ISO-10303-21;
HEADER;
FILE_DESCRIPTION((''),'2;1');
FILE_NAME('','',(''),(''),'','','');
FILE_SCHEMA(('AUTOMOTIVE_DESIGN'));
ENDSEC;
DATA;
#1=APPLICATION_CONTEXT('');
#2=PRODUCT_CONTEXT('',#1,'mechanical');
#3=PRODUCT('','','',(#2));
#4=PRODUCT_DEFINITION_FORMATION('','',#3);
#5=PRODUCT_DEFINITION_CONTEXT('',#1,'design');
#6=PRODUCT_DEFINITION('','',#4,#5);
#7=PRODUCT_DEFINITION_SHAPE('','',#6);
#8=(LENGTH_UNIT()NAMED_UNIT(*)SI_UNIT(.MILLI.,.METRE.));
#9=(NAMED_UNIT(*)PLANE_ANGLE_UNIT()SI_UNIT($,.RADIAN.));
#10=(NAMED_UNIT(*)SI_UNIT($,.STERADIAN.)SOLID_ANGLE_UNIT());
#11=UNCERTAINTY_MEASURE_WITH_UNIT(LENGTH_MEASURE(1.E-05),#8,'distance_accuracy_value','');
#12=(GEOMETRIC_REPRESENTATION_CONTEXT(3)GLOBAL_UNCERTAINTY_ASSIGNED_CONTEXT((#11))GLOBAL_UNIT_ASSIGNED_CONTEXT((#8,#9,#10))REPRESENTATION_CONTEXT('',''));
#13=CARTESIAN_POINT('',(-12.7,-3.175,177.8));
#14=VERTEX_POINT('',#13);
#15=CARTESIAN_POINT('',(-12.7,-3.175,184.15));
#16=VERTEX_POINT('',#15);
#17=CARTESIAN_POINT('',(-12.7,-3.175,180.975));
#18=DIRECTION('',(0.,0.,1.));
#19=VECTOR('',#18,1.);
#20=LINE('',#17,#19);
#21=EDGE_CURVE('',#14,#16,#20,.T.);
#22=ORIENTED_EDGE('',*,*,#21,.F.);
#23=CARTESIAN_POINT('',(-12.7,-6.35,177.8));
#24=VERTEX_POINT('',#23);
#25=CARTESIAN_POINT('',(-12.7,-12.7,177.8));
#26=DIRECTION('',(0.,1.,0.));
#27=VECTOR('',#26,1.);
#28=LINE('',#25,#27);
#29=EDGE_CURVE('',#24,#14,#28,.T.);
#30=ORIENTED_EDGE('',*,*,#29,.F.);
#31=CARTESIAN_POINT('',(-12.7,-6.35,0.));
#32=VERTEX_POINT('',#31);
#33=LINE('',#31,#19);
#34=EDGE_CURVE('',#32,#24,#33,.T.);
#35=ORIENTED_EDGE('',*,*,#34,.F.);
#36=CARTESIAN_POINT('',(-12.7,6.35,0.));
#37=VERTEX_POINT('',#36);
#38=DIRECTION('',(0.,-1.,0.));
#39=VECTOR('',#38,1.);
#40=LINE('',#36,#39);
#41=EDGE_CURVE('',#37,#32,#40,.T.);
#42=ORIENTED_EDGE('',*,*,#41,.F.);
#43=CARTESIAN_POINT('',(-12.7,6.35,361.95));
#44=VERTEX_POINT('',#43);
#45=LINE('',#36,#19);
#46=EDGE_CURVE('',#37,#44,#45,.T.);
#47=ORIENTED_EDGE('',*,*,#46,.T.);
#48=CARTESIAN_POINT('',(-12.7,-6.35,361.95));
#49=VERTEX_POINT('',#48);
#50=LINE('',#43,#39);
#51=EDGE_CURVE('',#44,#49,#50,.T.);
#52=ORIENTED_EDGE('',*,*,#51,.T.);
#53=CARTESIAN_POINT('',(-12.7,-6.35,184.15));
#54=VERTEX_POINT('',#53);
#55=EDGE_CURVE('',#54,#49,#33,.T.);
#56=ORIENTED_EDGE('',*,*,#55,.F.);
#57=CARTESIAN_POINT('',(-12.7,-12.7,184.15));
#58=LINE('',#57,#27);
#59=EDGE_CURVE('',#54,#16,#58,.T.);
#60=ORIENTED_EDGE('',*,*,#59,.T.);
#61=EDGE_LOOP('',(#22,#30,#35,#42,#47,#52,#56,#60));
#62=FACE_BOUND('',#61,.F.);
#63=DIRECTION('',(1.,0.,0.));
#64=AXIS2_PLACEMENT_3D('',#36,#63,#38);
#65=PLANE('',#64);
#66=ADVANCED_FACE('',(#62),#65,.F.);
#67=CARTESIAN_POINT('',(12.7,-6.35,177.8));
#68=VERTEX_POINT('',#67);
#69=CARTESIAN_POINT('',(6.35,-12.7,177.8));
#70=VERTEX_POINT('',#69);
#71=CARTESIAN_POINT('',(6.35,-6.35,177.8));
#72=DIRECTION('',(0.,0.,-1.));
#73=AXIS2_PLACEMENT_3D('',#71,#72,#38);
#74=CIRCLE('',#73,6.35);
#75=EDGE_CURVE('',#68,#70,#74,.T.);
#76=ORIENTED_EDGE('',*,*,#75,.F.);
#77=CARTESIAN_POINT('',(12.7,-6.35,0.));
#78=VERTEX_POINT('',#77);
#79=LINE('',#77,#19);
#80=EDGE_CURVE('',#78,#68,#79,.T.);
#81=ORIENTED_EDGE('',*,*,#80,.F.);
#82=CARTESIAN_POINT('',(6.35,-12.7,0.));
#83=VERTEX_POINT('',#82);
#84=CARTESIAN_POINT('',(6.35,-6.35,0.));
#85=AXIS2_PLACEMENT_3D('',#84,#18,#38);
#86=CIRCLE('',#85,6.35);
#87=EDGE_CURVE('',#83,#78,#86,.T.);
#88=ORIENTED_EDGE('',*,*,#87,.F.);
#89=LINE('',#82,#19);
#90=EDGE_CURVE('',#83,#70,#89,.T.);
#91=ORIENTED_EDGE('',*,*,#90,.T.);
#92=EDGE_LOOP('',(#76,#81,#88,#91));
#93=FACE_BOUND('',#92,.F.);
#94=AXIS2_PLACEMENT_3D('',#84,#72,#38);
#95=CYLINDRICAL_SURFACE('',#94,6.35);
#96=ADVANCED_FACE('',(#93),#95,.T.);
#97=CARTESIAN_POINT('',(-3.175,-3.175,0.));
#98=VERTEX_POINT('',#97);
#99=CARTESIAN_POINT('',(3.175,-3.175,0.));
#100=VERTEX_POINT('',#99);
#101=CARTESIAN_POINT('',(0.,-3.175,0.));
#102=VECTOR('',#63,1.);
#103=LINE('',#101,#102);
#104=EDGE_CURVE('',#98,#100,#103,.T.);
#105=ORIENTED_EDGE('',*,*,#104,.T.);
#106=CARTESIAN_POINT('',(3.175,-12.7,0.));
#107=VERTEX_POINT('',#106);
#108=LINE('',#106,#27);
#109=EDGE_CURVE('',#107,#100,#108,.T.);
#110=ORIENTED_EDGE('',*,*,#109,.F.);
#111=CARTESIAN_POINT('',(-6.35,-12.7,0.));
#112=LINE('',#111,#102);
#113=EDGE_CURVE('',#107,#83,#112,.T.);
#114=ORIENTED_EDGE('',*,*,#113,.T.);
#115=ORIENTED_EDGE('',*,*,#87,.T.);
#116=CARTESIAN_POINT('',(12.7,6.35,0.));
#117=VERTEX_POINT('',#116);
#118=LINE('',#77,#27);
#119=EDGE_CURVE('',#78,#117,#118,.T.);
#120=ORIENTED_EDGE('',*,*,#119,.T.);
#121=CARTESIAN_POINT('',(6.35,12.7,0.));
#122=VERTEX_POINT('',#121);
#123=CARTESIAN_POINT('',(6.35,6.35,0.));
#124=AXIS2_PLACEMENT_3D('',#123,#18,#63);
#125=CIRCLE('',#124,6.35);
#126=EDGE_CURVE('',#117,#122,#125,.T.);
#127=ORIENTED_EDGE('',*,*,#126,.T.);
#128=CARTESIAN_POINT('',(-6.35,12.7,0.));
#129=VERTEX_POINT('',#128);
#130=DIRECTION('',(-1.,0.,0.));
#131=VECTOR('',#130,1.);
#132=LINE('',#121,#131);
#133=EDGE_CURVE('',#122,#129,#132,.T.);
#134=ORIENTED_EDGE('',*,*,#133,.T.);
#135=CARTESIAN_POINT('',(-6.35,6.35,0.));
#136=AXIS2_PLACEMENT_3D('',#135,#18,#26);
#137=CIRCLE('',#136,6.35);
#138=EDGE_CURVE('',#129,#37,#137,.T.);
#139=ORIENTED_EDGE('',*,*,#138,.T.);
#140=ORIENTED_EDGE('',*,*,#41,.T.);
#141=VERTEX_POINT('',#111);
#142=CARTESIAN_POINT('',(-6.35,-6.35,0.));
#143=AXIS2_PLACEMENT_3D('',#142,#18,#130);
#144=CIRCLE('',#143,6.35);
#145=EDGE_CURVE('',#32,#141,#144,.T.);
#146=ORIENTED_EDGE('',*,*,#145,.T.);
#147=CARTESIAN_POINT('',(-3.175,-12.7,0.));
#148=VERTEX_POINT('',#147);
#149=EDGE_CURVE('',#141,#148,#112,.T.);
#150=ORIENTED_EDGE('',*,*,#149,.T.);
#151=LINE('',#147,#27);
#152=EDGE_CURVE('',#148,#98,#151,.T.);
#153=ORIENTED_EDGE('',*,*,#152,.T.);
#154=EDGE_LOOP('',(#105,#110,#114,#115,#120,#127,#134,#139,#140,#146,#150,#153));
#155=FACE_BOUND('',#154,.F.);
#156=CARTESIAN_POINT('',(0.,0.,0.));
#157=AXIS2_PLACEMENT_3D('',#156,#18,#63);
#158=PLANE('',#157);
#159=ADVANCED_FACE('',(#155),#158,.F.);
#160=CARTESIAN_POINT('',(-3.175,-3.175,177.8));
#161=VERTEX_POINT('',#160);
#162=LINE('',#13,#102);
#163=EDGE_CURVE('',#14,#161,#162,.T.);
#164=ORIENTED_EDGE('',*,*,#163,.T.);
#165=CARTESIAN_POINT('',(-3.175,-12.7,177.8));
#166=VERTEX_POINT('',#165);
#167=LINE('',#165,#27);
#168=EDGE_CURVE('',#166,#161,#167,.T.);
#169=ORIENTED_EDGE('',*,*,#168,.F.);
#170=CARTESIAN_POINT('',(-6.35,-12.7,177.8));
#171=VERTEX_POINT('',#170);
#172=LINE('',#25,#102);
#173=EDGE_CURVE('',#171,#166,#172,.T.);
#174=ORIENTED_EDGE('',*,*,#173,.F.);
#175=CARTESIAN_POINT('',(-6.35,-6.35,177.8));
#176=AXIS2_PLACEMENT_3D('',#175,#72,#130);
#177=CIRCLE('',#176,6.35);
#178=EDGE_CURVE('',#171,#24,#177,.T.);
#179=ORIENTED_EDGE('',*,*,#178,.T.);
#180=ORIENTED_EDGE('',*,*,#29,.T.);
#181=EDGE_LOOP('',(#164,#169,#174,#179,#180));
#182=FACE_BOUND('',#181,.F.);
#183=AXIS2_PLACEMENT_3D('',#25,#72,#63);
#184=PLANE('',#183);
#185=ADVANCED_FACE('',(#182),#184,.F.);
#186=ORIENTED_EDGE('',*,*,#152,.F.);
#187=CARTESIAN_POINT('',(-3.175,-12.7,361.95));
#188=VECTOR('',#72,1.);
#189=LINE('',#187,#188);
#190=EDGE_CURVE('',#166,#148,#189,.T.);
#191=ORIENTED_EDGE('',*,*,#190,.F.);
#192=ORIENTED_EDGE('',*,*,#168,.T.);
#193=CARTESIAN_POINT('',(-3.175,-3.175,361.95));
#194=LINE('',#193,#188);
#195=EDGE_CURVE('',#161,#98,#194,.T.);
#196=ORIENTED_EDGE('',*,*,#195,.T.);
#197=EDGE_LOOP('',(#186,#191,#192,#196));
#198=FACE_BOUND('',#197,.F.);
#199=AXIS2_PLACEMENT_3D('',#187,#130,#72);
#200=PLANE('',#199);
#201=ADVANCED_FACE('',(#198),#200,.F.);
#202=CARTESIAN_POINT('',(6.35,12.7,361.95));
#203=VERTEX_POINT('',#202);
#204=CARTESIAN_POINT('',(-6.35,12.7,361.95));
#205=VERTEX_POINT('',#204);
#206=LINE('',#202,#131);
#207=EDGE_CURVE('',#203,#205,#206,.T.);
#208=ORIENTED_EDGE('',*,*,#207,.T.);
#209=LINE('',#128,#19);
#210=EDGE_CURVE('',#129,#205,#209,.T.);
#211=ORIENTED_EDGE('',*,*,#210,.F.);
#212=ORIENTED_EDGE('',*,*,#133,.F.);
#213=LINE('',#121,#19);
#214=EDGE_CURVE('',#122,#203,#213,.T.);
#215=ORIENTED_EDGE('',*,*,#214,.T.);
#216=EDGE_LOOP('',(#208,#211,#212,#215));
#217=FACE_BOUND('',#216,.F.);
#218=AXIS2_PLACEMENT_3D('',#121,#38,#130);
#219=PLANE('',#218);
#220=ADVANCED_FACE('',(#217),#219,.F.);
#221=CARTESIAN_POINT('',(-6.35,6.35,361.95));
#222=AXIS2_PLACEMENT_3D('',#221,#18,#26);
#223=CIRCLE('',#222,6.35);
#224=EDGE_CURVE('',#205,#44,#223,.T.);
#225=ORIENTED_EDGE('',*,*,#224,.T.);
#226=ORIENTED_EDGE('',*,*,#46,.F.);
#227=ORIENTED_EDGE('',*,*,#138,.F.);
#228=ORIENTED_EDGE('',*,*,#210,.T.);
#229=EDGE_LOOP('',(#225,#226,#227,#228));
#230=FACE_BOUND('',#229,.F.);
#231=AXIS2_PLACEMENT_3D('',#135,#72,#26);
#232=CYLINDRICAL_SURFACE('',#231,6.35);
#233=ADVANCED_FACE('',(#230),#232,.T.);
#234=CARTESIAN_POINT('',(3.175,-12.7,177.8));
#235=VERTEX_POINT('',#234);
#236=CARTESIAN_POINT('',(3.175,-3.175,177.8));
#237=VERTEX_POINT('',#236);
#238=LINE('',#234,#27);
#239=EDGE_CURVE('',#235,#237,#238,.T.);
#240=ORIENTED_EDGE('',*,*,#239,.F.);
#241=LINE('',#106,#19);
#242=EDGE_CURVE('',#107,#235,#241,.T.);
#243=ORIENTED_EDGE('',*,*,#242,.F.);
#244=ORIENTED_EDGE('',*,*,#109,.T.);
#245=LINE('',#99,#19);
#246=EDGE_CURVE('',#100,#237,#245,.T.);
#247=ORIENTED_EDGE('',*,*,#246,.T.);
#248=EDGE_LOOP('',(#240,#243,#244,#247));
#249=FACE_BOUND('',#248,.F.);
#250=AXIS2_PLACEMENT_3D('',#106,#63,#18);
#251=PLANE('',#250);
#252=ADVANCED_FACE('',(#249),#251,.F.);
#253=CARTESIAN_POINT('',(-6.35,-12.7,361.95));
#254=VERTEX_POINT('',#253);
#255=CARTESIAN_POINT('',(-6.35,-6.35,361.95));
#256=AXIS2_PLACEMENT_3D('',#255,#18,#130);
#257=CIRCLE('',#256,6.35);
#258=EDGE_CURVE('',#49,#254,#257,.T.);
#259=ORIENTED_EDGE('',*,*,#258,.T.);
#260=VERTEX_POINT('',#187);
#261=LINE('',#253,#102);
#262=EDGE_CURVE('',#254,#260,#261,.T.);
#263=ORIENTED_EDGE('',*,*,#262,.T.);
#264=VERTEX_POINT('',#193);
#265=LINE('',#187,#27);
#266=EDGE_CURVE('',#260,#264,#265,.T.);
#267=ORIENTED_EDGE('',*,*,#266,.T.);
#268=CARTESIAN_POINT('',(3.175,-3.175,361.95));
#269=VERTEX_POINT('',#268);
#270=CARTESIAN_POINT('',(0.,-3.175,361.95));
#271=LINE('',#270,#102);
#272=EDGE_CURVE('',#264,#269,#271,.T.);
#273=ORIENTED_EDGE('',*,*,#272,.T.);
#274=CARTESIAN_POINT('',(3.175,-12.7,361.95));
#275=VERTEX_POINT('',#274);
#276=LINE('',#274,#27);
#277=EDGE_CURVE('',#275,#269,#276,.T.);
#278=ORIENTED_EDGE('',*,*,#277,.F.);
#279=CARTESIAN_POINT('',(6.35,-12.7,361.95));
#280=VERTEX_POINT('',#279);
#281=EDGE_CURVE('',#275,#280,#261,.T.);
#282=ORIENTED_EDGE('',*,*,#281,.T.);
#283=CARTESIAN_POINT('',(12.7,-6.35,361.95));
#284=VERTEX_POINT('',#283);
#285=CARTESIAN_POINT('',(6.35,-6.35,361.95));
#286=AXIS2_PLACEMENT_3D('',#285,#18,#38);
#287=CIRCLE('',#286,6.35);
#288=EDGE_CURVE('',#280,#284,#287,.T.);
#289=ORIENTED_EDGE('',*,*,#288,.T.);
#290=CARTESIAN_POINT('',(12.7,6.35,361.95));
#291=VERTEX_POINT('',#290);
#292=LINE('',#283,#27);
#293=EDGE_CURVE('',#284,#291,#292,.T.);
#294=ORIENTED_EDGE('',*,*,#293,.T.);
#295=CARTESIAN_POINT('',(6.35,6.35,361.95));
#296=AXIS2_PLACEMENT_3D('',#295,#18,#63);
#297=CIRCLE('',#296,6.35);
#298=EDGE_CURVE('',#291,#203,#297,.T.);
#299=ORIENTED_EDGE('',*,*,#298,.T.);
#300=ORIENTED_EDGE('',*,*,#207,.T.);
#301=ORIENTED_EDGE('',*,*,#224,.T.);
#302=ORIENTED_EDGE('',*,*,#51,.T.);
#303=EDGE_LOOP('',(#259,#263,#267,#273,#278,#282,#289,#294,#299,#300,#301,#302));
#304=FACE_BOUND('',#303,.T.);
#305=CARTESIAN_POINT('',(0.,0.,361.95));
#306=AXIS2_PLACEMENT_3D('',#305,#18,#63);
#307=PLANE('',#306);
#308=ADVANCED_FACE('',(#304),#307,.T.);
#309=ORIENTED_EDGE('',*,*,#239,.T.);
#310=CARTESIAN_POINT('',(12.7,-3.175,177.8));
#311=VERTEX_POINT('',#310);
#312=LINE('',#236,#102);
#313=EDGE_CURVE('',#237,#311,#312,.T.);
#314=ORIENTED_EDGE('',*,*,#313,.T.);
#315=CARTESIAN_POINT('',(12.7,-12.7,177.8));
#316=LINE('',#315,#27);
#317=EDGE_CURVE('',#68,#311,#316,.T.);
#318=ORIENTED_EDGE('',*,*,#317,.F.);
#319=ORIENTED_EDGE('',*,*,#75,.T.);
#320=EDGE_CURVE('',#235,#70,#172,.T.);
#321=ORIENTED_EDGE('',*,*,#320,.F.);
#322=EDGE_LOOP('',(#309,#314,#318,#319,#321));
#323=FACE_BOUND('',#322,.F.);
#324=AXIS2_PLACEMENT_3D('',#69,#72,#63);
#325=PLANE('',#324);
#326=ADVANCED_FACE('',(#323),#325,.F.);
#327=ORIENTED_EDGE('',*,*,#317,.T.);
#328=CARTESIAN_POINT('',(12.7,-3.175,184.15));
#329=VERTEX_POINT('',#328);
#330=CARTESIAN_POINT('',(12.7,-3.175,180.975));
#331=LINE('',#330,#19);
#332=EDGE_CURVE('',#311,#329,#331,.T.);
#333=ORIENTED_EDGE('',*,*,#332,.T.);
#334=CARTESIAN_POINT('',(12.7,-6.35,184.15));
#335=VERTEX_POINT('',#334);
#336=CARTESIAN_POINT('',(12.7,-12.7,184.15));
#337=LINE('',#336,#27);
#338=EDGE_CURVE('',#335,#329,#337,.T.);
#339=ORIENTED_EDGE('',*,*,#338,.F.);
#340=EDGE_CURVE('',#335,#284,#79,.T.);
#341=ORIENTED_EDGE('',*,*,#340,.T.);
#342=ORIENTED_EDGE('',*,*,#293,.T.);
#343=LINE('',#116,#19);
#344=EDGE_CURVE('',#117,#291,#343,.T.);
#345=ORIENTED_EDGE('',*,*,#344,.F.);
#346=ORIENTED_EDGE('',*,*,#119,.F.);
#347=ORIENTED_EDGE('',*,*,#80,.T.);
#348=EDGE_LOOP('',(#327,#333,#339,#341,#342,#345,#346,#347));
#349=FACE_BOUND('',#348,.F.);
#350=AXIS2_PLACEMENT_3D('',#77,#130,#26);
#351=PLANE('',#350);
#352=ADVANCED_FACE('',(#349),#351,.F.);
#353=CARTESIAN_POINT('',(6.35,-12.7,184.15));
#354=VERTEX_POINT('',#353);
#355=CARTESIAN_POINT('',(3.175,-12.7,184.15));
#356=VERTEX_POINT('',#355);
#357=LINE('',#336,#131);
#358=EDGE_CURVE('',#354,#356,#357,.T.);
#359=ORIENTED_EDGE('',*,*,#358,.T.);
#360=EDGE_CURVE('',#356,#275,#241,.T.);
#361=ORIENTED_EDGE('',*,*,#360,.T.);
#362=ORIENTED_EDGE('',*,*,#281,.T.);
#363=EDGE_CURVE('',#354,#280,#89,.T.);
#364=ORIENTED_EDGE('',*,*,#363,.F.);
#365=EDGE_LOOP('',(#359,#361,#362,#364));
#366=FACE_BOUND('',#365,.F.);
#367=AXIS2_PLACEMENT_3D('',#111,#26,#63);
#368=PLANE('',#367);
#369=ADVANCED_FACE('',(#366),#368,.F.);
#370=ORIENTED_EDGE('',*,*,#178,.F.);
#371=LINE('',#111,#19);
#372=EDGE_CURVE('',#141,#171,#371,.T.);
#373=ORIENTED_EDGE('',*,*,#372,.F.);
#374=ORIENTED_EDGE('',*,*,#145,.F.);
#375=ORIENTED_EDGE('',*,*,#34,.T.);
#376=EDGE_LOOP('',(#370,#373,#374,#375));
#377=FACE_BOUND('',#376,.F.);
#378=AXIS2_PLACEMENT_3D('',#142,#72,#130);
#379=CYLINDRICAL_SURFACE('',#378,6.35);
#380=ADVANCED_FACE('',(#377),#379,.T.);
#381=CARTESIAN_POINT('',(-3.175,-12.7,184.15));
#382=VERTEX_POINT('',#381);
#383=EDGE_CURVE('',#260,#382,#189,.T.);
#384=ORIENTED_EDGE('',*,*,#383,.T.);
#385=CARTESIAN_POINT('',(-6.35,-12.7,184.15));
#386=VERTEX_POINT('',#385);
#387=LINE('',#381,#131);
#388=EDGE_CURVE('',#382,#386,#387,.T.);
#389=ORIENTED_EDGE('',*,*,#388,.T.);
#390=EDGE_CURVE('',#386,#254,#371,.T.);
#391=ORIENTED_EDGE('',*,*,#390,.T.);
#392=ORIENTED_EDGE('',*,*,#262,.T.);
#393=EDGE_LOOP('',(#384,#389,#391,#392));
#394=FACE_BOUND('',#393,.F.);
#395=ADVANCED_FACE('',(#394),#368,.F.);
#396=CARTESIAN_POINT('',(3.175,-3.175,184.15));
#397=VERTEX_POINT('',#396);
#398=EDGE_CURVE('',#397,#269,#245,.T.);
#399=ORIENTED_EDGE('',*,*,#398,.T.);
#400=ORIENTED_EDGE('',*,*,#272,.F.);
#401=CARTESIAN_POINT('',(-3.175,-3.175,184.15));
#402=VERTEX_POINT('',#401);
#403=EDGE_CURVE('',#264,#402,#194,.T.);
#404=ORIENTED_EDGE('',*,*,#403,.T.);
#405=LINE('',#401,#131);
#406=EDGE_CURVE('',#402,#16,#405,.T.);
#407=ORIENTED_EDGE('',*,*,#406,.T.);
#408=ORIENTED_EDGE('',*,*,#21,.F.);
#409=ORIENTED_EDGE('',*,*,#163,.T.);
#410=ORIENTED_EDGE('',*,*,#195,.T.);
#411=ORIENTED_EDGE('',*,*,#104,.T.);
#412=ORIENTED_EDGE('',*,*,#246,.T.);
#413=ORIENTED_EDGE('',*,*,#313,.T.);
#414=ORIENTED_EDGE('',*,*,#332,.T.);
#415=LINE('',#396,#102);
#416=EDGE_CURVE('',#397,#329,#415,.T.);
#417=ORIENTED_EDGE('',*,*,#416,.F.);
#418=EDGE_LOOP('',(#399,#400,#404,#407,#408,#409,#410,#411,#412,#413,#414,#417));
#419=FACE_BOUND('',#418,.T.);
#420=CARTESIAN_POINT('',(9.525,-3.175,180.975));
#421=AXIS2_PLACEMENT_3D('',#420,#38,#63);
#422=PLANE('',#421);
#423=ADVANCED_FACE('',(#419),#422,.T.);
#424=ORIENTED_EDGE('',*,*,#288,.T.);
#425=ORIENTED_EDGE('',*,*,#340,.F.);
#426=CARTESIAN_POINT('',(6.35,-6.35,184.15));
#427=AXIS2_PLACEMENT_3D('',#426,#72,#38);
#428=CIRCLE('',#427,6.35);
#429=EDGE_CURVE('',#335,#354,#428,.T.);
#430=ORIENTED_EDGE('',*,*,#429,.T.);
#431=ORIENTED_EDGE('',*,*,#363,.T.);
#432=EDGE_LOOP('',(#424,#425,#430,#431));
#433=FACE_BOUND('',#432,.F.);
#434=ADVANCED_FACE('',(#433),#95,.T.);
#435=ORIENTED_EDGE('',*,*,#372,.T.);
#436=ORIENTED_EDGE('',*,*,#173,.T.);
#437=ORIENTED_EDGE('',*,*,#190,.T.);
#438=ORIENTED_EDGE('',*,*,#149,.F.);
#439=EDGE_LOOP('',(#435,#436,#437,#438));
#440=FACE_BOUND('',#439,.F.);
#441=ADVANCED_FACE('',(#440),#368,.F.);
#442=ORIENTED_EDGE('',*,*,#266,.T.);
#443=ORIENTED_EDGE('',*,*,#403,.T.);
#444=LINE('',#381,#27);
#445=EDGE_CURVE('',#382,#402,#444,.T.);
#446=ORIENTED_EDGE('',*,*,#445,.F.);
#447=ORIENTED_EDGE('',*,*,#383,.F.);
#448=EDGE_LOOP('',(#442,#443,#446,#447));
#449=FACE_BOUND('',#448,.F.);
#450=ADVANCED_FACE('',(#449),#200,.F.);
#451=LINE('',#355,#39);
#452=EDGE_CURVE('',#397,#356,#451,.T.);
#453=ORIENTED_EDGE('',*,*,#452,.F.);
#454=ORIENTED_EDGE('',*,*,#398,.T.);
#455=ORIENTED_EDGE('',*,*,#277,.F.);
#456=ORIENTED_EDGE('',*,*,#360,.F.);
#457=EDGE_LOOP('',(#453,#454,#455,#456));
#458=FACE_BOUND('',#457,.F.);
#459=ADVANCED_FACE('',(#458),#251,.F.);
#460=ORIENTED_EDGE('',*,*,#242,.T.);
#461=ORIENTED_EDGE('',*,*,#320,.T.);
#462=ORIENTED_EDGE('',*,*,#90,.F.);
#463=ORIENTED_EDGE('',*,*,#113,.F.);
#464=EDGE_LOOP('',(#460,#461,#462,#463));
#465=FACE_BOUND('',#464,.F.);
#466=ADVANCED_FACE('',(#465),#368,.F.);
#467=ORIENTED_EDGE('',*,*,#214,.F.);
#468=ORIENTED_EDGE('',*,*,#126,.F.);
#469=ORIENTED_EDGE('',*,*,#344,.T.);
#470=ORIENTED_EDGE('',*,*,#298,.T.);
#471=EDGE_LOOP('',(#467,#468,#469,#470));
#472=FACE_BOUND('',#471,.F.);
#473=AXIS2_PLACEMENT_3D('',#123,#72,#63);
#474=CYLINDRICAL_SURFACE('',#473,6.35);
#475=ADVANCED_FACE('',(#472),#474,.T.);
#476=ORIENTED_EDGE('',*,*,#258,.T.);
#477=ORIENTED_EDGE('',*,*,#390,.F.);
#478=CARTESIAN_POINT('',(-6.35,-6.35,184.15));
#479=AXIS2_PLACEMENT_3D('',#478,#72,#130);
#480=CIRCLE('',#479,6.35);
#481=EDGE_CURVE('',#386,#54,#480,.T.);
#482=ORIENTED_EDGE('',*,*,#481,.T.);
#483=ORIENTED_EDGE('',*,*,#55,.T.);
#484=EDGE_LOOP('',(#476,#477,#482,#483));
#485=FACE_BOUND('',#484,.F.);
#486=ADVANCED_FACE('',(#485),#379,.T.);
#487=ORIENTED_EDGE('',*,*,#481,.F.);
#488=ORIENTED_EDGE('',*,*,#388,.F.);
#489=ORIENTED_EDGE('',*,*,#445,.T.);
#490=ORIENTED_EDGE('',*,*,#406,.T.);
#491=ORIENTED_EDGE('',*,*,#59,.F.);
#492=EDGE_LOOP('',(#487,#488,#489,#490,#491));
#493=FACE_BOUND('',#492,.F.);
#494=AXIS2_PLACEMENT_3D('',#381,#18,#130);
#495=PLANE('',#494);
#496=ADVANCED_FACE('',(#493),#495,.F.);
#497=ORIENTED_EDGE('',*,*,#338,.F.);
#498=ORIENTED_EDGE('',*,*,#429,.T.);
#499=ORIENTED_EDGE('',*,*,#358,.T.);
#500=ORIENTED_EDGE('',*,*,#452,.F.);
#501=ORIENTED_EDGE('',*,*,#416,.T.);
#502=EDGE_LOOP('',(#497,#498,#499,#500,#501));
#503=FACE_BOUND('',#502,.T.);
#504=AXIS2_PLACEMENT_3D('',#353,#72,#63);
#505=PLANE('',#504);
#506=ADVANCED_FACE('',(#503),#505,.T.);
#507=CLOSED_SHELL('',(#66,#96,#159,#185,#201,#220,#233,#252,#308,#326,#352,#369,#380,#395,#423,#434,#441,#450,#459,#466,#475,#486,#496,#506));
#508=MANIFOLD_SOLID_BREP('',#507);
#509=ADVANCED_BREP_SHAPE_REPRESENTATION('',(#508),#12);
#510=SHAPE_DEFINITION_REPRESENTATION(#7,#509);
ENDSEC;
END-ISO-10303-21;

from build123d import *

# Parameters (mm, degrees)
F1_DEPTH = 361.95
F2_W     = 3.175
F2_H     = 6.35
F2_W_2   = 6.35
F3_DEPTH = 9.525
F2_H_2   = 177.8
F4_DEPTH = 9.525
F5_DEPTH = 9.525


with BuildPart() as f1:
    # F0 (on Top) → F1 (new body)
    with BuildSketch(Plane.XY):
        with BuildLine():
            ThreePointArc((12.7, 6.35), (10.8401280605, 10.8401280605), (6.35, 12.7))
            Line((6.35, 12.7), (-6.35, 12.7))
            ThreePointArc((-6.35, 12.7), (-10.8401280605, 10.8401280605), (-12.7, 6.35))
            Line((-12.7, 6.35), (-12.7, -6.35))
            ThreePointArc((-12.7, -6.35), (-10.8401280605, -10.8401280605), (-6.35, -12.7))
            Line((-6.35, -12.7), (6.35, -12.7))
            ThreePointArc((6.35, -12.7), (10.8401280605, -10.8401280605), (12.7, -6.35))
            Line((12.7, -6.35), (12.7, 6.35))
        make_face()
    extrude(amount=F1_DEPTH)

    # F2 (on face) → F3 (cut)
    with BuildSketch(Plane.XZ.offset(12.7)):
        with Locations((-4.7625, 180.975)):
            Rectangle(F2_W, F2_H)
        with Locations((-9.525, 180.975)):
            Rectangle(F2_W_2, F2_H)
        with Locations((9.525, 180.975)):
            Rectangle(F2_W_2, F2_H)
    extrude(amount=-F3_DEPTH, mode=Mode.SUBTRACT)

    # F2 (on face) → F4 (cut)
    with BuildSketch(Plane.XZ.offset(12.7)):
        with Locations((0, 273.05)):
            Rectangle(F2_W_2, F2_H_2)
        with Locations((0, 88.9)):
            Rectangle(F2_W_2, F2_H_2)
        with Locations((0, 180.975)):
            Rectangle(F2_W_2, F2_H)
    extrude(amount=-F4_DEPTH, mode=Mode.SUBTRACT)

    # F2 (on face) → F5 (cut)
    with BuildSketch(Plane.XZ.offset(12.7)):
        with Locations((4.7625, 180.975)):
            Rectangle(F2_W, F2_H)
        with Locations((9.525, 180.975)):
            Rectangle(F2_W_2, F2_H)
        with Locations((-4.7625, 180.975)):
            Rectangle(F2_W, F2_H)
        with Locations((0, 180.975)):
            Rectangle(F2_W_2, F2_H)
        with Locations((-9.525, 180.975)):
            Rectangle(F2_W_2, F2_H)
    extrude(amount=-F5_DEPTH, mode=Mode.SUBTRACT)


solid = f1.part
